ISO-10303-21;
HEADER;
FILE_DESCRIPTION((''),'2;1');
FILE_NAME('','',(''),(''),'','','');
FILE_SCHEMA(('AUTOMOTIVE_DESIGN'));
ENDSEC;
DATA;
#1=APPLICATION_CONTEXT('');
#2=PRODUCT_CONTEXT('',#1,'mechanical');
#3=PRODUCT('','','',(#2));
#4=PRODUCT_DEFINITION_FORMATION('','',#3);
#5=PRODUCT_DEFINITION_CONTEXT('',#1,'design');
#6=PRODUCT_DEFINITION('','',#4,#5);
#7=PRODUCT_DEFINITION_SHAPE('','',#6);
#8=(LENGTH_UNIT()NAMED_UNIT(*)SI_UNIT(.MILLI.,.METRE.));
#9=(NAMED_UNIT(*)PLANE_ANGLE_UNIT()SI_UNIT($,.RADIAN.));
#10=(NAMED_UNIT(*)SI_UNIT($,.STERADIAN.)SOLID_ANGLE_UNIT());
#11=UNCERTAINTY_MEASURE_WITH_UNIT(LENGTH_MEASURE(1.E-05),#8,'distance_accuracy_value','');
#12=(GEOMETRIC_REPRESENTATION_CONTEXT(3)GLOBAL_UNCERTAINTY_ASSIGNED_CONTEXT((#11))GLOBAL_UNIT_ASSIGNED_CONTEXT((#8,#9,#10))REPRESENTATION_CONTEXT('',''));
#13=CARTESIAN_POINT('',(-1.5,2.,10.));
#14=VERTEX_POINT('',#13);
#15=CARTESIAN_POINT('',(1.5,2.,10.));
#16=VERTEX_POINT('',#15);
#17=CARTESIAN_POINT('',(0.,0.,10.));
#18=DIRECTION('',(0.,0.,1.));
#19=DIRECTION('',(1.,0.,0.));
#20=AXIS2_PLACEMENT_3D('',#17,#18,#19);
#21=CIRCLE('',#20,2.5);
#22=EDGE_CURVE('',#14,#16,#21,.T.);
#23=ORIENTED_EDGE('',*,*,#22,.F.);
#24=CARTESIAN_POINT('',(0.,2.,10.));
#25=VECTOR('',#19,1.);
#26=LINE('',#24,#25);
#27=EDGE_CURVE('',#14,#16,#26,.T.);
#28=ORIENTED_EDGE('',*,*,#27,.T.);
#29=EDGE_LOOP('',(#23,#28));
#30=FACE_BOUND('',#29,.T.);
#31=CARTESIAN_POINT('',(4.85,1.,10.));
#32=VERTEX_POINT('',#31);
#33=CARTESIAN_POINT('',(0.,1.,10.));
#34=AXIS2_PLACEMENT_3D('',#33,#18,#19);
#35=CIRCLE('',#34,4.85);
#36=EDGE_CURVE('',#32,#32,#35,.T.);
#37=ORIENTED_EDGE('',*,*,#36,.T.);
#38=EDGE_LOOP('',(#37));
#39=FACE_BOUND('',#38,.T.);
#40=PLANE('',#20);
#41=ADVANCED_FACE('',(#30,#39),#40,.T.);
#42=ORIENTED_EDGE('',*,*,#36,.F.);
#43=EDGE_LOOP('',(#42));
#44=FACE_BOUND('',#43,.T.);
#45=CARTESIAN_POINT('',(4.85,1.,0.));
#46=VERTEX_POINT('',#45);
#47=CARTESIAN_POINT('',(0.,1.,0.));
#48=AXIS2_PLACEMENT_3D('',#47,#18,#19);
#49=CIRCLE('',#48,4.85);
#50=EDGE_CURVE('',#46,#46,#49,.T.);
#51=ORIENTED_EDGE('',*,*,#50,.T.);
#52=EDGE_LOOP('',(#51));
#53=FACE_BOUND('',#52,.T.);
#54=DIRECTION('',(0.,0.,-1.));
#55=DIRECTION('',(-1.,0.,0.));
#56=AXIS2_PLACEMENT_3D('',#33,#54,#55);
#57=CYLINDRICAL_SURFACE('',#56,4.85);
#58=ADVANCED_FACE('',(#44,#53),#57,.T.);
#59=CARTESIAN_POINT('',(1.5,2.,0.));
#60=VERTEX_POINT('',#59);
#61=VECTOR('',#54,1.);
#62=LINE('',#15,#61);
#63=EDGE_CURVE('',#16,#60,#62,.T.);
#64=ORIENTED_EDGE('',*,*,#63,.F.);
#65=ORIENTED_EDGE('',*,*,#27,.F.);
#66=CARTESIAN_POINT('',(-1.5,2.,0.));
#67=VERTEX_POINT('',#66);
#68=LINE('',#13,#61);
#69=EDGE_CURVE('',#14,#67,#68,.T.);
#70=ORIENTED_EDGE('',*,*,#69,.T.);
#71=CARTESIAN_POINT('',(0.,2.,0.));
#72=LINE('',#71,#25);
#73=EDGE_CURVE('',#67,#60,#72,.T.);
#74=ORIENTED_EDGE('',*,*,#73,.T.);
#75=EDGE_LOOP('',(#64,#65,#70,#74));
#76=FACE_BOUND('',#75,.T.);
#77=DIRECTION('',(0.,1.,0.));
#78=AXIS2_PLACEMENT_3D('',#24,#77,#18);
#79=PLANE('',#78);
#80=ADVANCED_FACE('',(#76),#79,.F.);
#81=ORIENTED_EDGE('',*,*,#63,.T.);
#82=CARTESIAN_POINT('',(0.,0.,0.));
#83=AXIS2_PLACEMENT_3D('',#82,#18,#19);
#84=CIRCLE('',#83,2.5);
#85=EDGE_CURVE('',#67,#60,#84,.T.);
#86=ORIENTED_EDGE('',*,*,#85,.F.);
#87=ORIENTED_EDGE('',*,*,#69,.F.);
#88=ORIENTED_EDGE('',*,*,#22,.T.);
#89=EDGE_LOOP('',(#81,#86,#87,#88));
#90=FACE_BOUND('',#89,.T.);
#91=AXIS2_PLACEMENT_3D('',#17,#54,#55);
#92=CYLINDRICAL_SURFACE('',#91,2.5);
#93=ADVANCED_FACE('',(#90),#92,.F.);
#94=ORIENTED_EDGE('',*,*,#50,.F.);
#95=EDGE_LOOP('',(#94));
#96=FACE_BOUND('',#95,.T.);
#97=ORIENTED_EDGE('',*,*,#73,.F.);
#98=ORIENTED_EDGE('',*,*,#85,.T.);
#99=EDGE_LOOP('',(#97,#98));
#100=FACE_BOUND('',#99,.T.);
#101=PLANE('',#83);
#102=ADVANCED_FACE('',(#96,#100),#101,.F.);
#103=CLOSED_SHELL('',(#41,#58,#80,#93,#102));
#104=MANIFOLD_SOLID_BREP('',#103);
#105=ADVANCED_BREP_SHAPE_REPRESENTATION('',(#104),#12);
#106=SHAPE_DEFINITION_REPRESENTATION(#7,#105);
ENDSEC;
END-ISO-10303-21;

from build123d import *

# Parameters (mm, degrees)
ESQUISSE1_R        = 4.85
BOSS_EXTRU_1_DEPTH = 10


with BuildPart() as part:
    # Esquisse1 → Boss.-Extru.1 (new body)
    with BuildSketch(Plane.XY):
        with Locations((0, 1)):
            Circle(ESQUISSE1_R)
        with BuildLine():
            Line((-1.5, 2), (1.5, 2))
            ThreePointArc((1.5, 2), (0, -2.5), (-1.5, 2))
        make_face(mode=Mode.SUBTRACT)
    extrude(amount=BOSS_EXTRU_1_DEPTH)


solid = part.part
